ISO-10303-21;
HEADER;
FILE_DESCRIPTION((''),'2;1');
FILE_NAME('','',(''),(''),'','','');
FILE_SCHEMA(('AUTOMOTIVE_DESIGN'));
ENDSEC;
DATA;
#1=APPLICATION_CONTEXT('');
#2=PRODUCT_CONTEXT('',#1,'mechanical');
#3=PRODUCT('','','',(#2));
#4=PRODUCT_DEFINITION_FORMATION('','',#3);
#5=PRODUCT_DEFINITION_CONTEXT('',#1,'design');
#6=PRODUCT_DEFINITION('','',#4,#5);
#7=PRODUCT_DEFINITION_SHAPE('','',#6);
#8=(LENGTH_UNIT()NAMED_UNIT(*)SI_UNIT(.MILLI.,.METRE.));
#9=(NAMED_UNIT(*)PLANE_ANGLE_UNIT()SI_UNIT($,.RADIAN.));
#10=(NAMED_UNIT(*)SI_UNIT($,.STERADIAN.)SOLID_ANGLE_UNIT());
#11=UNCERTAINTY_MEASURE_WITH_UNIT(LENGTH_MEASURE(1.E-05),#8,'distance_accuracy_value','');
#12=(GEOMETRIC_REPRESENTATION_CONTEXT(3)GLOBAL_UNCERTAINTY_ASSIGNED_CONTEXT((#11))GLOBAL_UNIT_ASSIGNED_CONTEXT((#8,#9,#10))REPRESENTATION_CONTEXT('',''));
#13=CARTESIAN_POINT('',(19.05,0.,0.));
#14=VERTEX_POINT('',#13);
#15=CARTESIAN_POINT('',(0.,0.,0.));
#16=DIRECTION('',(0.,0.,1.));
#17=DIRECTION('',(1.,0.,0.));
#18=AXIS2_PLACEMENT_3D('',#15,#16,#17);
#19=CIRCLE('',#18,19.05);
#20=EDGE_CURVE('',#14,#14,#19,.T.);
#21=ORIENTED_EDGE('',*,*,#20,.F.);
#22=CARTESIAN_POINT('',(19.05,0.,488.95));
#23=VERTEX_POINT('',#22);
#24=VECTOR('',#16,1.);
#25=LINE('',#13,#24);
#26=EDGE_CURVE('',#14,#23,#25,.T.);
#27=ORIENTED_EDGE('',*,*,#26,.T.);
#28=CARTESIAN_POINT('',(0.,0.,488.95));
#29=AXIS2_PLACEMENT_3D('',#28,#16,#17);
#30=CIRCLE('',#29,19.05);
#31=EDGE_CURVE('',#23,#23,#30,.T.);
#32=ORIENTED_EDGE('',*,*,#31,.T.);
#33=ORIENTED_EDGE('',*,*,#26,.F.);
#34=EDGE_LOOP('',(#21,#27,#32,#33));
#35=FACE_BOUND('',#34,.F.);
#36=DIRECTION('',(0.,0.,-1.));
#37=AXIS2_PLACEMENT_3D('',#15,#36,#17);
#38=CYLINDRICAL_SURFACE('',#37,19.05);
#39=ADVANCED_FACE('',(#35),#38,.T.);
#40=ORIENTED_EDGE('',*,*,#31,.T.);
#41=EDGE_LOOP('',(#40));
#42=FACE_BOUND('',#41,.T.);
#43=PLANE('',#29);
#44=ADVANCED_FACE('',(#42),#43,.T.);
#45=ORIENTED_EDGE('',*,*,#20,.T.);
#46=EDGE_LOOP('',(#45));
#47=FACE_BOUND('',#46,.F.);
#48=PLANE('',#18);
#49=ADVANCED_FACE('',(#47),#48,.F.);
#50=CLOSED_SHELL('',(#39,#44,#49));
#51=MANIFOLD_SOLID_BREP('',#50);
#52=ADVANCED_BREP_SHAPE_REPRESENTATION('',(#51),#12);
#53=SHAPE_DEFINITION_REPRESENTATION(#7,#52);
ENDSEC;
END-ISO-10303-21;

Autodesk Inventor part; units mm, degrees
ref_plane "YZ Plane" through (0, 0, 0) normal (1, 0, 0) x (0, 1, 0)
ref_plane "XZ Plane" through (0, 0, 0) normal (0, 1, 0) x (-1, 0, 0)
ref_plane "XY Plane" through (0, 0, 0) normal (0, 0, 1) x (1, 0, 0)
sketch "Sketch1" plane through (0, 0, 0) normal (0, 0, 1) x (1, 0, 0)
  circle A0 centre (0, 0) radius 19.05
  dimension "d0" = 38.1
extrude "Extrusion1" add sketch "Sketch1" along normal blind 488.95
properties material "Rubber"
